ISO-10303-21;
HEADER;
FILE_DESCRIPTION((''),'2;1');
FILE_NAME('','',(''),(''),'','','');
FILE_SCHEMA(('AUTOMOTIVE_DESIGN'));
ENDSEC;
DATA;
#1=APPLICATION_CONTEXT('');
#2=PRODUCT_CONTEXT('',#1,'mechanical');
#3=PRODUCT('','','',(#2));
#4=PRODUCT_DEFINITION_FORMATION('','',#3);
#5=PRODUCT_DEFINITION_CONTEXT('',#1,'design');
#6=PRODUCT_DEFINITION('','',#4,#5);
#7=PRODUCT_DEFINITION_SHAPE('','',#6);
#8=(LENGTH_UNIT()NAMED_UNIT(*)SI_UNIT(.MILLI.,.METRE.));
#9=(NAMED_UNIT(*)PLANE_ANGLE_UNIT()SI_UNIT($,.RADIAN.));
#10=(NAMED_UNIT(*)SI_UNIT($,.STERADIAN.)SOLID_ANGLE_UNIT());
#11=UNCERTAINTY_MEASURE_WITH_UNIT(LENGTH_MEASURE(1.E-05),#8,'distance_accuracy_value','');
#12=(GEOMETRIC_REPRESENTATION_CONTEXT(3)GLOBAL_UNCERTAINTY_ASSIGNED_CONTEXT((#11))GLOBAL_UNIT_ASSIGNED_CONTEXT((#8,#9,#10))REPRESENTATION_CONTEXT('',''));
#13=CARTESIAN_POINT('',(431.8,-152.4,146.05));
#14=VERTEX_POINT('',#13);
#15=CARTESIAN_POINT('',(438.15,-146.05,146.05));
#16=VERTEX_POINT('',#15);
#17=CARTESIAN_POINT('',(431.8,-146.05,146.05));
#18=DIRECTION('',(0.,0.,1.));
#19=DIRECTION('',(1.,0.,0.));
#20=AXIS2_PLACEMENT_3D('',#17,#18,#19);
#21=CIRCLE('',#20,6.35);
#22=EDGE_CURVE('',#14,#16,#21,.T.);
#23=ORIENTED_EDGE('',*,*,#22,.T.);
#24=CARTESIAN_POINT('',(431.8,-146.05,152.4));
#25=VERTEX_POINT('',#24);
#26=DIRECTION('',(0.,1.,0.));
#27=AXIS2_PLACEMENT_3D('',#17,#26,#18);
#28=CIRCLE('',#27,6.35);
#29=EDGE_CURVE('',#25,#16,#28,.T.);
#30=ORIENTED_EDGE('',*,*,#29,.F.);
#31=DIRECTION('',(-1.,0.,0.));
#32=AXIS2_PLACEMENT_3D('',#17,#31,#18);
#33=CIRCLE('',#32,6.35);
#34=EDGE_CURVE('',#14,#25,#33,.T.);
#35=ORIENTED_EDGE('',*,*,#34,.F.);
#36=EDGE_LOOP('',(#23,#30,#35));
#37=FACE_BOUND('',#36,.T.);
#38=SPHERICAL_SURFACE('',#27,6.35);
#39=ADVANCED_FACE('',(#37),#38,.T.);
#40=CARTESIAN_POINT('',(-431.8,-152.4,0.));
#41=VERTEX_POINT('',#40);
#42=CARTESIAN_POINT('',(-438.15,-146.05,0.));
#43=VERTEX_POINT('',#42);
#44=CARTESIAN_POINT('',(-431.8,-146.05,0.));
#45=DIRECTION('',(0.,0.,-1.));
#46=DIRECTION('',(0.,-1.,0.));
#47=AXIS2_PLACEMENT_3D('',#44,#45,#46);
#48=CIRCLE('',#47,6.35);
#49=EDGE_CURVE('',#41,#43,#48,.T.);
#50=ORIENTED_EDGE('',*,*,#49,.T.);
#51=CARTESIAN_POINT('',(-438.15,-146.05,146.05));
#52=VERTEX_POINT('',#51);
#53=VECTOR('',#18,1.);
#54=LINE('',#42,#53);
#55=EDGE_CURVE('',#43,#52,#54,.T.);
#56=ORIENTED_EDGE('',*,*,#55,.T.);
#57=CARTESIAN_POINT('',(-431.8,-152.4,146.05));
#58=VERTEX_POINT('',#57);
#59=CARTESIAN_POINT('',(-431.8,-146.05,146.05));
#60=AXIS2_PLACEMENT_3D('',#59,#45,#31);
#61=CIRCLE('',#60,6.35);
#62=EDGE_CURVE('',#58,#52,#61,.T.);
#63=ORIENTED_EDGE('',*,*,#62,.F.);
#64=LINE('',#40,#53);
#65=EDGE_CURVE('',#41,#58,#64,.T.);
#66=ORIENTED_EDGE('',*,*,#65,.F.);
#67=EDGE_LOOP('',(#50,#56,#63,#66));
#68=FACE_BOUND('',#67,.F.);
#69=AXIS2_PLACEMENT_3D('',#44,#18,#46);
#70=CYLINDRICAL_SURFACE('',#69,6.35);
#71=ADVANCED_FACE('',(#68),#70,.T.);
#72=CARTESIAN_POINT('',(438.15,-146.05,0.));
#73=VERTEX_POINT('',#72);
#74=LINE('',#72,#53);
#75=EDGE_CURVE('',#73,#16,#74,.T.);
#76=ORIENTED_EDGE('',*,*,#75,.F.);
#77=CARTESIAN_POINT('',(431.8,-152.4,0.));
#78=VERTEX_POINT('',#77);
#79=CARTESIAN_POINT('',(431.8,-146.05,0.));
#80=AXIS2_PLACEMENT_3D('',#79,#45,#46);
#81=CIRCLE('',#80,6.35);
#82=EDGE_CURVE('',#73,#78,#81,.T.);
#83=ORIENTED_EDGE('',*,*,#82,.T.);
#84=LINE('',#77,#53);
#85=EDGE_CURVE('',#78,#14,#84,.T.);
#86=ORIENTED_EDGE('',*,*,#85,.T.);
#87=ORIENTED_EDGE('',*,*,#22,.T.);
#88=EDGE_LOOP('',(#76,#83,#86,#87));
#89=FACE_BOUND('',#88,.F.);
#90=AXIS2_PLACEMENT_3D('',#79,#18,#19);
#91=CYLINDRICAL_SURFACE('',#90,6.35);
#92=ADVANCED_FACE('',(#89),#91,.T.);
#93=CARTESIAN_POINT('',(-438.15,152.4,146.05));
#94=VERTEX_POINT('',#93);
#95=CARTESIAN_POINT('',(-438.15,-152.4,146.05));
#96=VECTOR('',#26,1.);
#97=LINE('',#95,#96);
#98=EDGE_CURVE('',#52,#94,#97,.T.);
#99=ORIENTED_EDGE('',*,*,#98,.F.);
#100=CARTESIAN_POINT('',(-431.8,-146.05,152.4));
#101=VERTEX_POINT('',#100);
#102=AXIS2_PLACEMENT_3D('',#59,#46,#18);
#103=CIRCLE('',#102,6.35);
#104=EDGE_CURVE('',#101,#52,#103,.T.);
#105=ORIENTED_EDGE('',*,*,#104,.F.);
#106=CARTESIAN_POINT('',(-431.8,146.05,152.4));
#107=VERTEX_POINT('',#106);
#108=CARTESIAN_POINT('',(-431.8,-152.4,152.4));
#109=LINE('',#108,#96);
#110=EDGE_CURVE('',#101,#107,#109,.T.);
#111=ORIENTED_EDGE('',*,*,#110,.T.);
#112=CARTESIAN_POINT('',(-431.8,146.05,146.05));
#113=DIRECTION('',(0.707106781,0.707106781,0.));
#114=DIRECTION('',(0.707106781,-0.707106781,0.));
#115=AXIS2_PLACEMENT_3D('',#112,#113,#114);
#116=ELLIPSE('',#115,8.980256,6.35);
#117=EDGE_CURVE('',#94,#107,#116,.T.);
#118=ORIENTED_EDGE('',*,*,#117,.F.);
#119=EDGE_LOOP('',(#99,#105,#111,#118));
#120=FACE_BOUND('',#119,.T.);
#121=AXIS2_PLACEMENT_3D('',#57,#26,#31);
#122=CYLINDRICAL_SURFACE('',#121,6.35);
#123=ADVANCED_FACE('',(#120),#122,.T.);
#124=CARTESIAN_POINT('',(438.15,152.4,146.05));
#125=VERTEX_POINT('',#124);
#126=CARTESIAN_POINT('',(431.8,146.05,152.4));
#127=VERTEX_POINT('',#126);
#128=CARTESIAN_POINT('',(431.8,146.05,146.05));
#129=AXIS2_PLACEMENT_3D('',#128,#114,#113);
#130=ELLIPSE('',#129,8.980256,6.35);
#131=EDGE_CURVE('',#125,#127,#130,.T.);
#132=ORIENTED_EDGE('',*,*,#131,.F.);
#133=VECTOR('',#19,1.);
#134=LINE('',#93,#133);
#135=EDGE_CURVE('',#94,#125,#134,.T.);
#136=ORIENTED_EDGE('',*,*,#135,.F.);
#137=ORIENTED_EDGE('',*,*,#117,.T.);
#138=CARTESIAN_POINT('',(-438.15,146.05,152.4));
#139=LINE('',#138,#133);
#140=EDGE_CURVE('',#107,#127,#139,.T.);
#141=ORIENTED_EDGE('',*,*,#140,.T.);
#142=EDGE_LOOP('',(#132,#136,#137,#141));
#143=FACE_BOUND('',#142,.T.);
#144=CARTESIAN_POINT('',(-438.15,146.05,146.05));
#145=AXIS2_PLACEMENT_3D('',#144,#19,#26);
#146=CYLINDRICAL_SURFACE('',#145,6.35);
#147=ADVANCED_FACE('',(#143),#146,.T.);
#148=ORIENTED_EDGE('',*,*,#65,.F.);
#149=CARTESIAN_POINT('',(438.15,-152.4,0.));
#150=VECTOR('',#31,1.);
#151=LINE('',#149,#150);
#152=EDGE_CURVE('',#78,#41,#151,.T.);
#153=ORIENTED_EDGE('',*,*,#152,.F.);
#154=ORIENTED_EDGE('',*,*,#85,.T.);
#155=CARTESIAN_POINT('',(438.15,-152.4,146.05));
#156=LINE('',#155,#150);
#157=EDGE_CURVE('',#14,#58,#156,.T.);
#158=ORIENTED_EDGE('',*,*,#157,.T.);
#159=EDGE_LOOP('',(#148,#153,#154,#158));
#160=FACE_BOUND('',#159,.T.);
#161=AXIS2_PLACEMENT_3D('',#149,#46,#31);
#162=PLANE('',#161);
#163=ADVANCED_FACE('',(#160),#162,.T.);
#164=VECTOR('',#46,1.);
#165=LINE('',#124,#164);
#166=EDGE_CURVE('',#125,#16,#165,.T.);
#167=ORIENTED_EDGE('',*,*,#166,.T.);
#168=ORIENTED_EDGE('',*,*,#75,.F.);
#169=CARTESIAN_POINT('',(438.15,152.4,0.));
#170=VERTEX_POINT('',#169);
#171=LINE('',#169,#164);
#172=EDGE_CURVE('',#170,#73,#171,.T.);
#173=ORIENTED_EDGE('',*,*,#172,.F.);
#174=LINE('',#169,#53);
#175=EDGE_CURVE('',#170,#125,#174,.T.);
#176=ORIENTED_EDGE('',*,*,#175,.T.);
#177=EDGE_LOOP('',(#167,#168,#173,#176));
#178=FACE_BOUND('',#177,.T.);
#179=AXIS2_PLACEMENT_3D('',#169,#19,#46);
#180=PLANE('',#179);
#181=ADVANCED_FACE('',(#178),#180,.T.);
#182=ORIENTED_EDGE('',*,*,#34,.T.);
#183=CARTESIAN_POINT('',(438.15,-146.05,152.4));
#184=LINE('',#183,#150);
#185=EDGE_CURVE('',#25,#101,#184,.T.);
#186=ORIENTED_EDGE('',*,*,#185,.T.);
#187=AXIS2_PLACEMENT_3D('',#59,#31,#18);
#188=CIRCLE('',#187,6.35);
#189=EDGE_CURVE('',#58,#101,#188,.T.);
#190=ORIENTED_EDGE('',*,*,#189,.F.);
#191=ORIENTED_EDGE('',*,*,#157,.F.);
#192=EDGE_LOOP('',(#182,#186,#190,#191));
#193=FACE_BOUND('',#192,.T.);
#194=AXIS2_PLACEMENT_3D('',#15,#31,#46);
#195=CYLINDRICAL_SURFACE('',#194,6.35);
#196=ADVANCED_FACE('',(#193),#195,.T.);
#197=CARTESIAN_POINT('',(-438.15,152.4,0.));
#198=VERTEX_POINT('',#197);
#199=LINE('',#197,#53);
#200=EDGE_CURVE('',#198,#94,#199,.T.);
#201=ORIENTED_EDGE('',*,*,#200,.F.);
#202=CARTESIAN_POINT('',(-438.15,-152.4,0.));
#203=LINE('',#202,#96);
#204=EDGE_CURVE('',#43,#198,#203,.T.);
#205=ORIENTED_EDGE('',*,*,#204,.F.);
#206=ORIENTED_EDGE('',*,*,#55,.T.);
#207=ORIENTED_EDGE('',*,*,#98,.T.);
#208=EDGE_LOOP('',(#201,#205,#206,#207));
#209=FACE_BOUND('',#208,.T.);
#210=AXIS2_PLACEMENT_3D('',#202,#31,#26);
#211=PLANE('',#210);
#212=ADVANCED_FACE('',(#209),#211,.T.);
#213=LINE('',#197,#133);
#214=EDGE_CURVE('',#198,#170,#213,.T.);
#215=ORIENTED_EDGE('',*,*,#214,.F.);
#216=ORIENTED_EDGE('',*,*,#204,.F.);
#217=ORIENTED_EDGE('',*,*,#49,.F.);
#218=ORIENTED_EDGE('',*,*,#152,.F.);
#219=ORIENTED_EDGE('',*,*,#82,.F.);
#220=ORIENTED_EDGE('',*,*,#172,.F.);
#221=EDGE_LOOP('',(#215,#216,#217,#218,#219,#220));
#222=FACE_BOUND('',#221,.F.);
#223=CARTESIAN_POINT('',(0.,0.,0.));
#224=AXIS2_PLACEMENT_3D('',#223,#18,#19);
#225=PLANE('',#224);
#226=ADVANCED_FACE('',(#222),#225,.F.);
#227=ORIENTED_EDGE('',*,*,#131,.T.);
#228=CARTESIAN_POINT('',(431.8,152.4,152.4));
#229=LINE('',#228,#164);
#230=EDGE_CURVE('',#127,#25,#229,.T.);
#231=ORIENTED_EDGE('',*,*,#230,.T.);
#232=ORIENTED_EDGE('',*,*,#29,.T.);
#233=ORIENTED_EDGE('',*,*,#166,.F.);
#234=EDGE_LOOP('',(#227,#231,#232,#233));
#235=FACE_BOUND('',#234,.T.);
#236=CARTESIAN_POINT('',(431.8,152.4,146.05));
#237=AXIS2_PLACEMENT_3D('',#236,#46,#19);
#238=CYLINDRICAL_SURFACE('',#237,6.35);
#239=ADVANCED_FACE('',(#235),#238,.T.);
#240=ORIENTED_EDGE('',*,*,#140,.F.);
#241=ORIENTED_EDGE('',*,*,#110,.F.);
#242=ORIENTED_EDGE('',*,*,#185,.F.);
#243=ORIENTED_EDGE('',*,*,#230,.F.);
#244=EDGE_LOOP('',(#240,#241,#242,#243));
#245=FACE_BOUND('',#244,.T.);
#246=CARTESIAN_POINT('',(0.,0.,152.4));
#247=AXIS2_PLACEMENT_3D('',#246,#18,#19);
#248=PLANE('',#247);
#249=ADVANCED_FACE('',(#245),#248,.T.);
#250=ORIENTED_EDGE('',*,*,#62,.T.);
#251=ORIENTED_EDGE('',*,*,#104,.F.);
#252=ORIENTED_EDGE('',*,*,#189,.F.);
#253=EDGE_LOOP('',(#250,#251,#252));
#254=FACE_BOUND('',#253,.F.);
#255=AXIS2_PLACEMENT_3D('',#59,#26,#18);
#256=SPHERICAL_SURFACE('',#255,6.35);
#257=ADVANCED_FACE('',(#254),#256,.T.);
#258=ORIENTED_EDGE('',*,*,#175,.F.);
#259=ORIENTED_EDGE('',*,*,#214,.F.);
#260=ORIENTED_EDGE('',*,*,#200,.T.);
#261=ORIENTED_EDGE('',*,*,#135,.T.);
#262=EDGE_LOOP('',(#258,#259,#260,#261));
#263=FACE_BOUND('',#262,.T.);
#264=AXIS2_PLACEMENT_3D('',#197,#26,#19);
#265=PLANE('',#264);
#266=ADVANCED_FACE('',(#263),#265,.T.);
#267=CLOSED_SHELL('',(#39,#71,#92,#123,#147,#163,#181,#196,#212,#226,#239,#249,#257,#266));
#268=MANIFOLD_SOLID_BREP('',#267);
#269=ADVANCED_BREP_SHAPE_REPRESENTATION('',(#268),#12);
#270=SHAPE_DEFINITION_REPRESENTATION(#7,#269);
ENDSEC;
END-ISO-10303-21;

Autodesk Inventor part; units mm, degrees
ref_plane "YZ Plane" through (0, 0, 0) normal (1, 0, 0) x (0, 1, 0)
ref_plane "XZ Plane" through (0, 0, 0) normal (0, 1, 0) x (-1, 0, 0)
ref_plane "XY Plane" through (0, 0, 0) normal (0, 0, 1) x (1, 0, 0)
sketch "Sketch1" plane through (0, 0, 0) normal (0, 0, 1) x (1, 0, 0)
  line L0 (-438.15, 152.4) -> (438.15, 152.4)
  line L1 (438.15, 152.4) -> (438.15, -152.4)
  line L2 (438.15, -152.4) -> (-438.15, -152.4)
  line L3 (-438.15, -152.4) -> (-438.15, 152.4)
  line L4 (-438.15, 152.4) -> (438.15, -152.4) construction
  line L5 (438.15, 152.4) -> (-438.15, -152.4) construction
  point P0 (0, 0)
  dimension "d0" = 876.3
  dimension "d1" = 304.8
extrude "Extrusion1" add sketch "Sketch1" along normal blind 152.4
fillet "Fillet1" radius 6.35 6 edges at (0, 152.4, 152.4) (-438.15, 0, 152.4) (438.15, 0, 152.4) (0, -152.4, 152.4) (438.15, -152.4, 76.2) (-438.15, -152.4, 76.2)
properties part number "11-1x-34.5x12x6 sn step" material "Granite, Cut, Polished"
